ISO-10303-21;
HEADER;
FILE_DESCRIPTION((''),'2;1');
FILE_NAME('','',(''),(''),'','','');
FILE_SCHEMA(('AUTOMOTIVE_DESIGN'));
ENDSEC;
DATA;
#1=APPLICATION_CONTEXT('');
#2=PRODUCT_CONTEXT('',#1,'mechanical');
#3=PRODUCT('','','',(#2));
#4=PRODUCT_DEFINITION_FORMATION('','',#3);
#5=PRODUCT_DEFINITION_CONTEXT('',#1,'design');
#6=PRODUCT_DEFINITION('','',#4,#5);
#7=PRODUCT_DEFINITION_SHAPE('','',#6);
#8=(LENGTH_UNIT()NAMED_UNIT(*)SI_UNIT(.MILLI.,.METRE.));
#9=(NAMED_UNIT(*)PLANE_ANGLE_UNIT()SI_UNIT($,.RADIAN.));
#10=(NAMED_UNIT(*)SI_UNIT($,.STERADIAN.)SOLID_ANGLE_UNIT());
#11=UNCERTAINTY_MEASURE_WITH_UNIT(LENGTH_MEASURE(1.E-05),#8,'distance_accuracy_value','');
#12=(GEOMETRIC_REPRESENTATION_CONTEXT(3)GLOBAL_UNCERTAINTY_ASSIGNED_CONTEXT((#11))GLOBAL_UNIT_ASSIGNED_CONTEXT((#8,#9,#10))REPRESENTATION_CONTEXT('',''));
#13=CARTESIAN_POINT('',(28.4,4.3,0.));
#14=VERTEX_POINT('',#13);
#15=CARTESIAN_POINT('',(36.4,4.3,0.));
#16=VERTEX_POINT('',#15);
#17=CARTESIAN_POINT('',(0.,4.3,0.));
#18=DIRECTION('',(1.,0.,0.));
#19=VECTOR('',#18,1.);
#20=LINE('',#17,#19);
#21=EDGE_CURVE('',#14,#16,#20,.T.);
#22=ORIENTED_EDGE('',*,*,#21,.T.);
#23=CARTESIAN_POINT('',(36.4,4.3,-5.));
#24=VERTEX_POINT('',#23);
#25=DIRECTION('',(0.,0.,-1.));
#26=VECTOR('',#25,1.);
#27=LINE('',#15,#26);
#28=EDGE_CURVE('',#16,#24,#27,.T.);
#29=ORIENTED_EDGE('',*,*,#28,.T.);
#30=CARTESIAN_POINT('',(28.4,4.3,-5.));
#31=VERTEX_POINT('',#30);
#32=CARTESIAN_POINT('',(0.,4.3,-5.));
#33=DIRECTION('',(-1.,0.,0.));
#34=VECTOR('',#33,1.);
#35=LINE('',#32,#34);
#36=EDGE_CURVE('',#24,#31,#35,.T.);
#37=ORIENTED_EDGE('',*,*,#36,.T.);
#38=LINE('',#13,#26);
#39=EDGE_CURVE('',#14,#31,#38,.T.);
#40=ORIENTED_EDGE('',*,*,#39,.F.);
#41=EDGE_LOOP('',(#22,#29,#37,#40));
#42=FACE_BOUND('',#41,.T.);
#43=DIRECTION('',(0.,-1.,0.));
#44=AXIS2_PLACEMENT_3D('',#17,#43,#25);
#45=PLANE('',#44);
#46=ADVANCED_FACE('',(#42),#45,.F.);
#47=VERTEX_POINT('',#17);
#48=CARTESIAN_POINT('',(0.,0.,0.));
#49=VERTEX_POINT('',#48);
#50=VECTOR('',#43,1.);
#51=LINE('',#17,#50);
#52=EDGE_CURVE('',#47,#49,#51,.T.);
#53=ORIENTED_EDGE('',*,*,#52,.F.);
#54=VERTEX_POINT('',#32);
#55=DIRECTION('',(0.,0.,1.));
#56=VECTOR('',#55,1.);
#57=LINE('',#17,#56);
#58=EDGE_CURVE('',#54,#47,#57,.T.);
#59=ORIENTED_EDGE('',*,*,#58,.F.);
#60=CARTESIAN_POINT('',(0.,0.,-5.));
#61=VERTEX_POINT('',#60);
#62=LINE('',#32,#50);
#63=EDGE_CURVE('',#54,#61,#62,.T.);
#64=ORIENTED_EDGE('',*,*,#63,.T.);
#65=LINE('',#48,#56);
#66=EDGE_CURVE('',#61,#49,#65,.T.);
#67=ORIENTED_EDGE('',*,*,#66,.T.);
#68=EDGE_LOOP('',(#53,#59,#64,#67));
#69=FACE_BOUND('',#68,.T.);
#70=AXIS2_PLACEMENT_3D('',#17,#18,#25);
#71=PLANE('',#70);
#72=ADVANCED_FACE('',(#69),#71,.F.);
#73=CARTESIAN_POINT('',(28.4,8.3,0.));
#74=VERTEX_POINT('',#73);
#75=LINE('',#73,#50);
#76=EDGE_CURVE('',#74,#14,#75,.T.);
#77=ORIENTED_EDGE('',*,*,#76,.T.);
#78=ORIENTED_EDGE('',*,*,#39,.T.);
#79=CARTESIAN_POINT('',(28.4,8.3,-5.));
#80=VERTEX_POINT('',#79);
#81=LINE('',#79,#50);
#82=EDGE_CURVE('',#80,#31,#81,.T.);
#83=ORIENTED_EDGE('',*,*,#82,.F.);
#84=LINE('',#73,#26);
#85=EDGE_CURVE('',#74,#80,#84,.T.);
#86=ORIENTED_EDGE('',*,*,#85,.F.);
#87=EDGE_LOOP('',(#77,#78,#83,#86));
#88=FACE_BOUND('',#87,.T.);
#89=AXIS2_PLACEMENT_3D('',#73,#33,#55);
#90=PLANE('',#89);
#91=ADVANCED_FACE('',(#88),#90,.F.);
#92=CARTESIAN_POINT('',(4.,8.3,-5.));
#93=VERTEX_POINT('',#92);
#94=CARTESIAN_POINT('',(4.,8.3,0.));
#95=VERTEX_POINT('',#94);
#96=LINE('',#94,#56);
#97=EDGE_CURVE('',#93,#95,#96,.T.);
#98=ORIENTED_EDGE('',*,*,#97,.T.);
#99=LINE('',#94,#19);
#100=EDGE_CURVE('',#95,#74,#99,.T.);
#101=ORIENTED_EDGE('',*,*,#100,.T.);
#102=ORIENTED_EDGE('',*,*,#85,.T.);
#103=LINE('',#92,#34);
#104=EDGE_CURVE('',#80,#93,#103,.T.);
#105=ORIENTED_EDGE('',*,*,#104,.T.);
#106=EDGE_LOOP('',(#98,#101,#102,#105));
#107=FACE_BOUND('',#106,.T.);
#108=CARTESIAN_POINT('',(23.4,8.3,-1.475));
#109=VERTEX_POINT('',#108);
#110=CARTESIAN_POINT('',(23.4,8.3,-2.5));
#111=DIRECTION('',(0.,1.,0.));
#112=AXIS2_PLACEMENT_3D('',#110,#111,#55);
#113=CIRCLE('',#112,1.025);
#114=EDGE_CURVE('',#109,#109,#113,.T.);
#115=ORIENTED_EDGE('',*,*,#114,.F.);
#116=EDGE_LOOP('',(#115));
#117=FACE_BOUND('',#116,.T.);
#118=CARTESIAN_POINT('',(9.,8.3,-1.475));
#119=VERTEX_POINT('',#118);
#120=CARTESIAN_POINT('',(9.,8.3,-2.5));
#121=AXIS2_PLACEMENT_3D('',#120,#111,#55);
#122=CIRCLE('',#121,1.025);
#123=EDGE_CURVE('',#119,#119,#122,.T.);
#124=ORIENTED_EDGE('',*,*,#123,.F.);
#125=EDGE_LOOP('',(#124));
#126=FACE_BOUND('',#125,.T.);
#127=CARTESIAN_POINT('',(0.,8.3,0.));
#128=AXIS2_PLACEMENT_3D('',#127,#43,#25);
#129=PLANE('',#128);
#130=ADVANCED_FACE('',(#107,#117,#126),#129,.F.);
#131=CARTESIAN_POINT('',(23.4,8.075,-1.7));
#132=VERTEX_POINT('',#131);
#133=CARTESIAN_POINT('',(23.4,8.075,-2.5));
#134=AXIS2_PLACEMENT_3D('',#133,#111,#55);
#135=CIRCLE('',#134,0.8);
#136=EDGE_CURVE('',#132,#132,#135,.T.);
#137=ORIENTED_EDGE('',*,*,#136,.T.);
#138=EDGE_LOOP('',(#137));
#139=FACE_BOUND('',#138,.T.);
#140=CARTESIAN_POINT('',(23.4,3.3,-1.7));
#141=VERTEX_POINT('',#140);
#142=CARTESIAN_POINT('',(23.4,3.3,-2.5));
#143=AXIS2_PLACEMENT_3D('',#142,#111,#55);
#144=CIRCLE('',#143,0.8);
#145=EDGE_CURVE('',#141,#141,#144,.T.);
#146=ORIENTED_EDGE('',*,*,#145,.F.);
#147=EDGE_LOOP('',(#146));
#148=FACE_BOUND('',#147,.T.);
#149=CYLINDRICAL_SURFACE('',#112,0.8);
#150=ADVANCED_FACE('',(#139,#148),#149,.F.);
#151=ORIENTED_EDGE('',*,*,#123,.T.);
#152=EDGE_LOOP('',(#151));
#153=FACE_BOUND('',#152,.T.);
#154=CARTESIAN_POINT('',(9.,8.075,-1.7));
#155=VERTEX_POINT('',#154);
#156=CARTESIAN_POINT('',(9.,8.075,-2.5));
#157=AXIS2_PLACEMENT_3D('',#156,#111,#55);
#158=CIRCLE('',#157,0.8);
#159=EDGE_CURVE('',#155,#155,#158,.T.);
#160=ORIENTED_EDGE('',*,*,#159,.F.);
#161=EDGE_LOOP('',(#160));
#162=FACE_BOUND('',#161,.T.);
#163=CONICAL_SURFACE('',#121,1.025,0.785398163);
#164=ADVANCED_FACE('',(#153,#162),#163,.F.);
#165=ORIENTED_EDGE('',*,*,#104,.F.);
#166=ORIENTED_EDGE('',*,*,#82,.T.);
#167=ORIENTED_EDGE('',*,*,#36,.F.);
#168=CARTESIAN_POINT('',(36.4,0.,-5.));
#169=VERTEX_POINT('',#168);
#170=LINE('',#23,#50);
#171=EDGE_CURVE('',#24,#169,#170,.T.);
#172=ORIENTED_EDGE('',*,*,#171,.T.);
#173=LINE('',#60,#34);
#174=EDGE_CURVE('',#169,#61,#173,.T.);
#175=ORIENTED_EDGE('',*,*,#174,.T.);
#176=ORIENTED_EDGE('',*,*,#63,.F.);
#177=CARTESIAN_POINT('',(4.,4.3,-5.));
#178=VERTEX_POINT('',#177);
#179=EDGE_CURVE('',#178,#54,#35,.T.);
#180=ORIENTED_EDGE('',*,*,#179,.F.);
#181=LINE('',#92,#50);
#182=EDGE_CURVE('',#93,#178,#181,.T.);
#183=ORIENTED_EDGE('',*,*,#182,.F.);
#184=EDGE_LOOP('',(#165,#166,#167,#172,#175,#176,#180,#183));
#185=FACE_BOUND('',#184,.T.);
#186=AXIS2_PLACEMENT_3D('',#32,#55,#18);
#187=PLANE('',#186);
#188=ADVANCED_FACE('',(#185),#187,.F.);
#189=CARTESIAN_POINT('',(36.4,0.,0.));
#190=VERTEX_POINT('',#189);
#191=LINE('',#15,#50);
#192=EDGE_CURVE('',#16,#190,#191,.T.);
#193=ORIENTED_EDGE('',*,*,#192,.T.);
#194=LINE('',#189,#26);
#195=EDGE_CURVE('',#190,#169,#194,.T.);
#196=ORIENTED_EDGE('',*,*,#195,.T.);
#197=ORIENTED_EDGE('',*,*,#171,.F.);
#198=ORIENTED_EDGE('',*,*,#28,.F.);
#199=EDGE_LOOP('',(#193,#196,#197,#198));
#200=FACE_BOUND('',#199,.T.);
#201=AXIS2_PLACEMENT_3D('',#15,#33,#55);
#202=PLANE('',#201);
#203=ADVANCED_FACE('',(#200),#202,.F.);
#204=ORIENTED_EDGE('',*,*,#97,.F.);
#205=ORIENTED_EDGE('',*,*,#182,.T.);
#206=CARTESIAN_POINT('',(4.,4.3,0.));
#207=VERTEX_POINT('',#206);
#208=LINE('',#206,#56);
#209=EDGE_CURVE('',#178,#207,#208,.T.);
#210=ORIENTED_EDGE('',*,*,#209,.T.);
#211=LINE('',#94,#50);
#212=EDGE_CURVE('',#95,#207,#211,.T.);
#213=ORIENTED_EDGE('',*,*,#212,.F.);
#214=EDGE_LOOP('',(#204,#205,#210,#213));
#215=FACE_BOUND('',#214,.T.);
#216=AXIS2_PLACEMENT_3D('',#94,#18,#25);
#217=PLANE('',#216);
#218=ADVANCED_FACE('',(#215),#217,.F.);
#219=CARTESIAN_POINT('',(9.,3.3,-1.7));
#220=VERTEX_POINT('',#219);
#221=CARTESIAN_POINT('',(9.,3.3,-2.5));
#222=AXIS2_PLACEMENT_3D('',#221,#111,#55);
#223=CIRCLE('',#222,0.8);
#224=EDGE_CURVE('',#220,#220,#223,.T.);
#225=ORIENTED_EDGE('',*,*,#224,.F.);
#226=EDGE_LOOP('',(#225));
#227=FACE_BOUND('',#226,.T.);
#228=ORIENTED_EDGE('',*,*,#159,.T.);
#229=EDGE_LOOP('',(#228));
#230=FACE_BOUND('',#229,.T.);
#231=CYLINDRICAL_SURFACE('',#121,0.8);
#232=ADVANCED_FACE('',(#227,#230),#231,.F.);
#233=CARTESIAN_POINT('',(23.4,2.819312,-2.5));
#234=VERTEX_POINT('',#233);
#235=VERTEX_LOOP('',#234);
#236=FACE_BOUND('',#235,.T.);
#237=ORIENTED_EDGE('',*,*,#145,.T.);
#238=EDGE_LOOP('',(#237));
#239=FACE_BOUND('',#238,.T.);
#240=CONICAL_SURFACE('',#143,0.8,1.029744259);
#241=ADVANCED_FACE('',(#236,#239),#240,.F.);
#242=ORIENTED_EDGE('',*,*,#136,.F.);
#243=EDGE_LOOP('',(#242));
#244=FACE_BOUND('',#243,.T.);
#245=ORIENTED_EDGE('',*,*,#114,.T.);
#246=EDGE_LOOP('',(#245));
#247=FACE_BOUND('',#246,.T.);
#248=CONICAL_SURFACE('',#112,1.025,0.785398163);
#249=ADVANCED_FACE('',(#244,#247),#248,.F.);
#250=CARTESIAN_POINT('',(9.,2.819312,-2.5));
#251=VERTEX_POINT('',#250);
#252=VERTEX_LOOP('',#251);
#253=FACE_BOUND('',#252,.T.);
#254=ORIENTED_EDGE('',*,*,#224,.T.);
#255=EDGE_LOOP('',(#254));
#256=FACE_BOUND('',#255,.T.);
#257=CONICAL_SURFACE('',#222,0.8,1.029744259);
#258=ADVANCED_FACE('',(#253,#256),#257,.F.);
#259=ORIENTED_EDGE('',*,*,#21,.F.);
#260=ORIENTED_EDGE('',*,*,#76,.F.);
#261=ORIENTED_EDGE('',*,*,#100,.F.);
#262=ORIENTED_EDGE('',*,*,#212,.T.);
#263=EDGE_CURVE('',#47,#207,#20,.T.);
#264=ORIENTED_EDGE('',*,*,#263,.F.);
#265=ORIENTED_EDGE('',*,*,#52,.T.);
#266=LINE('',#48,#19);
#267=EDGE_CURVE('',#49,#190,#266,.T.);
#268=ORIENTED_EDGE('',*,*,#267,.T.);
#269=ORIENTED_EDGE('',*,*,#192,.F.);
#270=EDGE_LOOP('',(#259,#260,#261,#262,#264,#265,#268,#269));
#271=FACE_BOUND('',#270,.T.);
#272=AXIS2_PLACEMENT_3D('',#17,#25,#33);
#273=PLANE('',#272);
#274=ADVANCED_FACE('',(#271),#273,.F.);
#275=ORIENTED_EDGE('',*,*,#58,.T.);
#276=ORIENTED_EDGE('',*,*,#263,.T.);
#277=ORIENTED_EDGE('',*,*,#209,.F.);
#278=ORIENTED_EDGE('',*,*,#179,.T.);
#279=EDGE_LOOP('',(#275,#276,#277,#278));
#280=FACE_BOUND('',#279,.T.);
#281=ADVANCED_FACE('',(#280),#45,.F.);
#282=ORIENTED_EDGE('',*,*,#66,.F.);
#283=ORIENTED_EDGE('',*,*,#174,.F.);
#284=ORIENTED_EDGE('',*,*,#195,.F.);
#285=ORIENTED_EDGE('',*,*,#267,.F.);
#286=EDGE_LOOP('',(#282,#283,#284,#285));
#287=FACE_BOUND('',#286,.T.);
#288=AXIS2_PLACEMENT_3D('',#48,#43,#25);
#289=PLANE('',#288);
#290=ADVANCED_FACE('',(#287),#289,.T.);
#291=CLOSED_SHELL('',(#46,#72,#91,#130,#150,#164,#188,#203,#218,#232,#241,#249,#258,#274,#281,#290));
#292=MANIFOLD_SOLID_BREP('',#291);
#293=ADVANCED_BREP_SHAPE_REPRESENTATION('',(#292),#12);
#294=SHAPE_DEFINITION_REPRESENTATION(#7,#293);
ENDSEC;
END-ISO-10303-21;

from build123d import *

# Parameters (mm, degrees)
SKETCH2_W                       = 36.4
SKETCH2_H                       = 5
BOSS_EXTRUDE1_DEPTH             = 4.3
SKETCH3_W                       = 24.4
SKETCH3_H                       = 5
BOSS_EXTRUDE2_DEPTH             = 4
M2X0_4_TAPPED_HOLE1_D           = 1.6
M2X0_4_TAPPED_HOLE1_DEPTH       = 5
M2X0_4_TAPPED_HOLE1_CSINK_D     = 2.05
M2X0_4_TAPPED_HOLE1_CSINK_ANGLE = 90
M2X0_4_TAPPED_HOLE1_TIP         = 0.480688495


with BuildPart() as part:
    # Sketch2 → Boss-Extrude1 (new body)
    with BuildSketch(Plane(origin=(0, 0, 0), x_dir=(1, 0, 0), z_dir=(0, 1, 0))):
        with Locations((18.2, 2.5)):
            Rectangle(SKETCH2_W, SKETCH2_H)
    extrude(amount=BOSS_EXTRUDE1_DEPTH)

    # Sketch3 → Boss-Extrude2 (add)
    with BuildSketch(Plane(origin=(0, 4.3, 0), x_dir=(1, 0, 0), z_dir=(0, 1, 0))):
        with Locations((16.2, 2.5)):
            Rectangle(SKETCH3_W, SKETCH3_H)
    extrude(amount=BOSS_EXTRUDE2_DEPTH)

    # M2x0.4 Tapped Hole1
    with Locations(Plane(origin=(0, 8.3, 0), x_dir=(1, 0, 0), z_dir=(0, 1, 0))):
        with Locations((9, 2.5), (23.4, 2.5)):
            CounterSinkHole(M2X0_4_TAPPED_HOLE1_D / 2, M2X0_4_TAPPED_HOLE1_CSINK_D / 2, depth=M2X0_4_TAPPED_HOLE1_DEPTH, counter_sink_angle=M2X0_4_TAPPED_HOLE1_CSINK_ANGLE)
            with Locations((0, 0, -(M2X0_4_TAPPED_HOLE1_DEPTH + M2X0_4_TAPPED_HOLE1_TIP / 2))):  # 118° drill point
                Cone(0, M2X0_4_TAPPED_HOLE1_D / 2, M2X0_4_TAPPED_HOLE1_TIP, mode=Mode.SUBTRACT)


solid = part.part
